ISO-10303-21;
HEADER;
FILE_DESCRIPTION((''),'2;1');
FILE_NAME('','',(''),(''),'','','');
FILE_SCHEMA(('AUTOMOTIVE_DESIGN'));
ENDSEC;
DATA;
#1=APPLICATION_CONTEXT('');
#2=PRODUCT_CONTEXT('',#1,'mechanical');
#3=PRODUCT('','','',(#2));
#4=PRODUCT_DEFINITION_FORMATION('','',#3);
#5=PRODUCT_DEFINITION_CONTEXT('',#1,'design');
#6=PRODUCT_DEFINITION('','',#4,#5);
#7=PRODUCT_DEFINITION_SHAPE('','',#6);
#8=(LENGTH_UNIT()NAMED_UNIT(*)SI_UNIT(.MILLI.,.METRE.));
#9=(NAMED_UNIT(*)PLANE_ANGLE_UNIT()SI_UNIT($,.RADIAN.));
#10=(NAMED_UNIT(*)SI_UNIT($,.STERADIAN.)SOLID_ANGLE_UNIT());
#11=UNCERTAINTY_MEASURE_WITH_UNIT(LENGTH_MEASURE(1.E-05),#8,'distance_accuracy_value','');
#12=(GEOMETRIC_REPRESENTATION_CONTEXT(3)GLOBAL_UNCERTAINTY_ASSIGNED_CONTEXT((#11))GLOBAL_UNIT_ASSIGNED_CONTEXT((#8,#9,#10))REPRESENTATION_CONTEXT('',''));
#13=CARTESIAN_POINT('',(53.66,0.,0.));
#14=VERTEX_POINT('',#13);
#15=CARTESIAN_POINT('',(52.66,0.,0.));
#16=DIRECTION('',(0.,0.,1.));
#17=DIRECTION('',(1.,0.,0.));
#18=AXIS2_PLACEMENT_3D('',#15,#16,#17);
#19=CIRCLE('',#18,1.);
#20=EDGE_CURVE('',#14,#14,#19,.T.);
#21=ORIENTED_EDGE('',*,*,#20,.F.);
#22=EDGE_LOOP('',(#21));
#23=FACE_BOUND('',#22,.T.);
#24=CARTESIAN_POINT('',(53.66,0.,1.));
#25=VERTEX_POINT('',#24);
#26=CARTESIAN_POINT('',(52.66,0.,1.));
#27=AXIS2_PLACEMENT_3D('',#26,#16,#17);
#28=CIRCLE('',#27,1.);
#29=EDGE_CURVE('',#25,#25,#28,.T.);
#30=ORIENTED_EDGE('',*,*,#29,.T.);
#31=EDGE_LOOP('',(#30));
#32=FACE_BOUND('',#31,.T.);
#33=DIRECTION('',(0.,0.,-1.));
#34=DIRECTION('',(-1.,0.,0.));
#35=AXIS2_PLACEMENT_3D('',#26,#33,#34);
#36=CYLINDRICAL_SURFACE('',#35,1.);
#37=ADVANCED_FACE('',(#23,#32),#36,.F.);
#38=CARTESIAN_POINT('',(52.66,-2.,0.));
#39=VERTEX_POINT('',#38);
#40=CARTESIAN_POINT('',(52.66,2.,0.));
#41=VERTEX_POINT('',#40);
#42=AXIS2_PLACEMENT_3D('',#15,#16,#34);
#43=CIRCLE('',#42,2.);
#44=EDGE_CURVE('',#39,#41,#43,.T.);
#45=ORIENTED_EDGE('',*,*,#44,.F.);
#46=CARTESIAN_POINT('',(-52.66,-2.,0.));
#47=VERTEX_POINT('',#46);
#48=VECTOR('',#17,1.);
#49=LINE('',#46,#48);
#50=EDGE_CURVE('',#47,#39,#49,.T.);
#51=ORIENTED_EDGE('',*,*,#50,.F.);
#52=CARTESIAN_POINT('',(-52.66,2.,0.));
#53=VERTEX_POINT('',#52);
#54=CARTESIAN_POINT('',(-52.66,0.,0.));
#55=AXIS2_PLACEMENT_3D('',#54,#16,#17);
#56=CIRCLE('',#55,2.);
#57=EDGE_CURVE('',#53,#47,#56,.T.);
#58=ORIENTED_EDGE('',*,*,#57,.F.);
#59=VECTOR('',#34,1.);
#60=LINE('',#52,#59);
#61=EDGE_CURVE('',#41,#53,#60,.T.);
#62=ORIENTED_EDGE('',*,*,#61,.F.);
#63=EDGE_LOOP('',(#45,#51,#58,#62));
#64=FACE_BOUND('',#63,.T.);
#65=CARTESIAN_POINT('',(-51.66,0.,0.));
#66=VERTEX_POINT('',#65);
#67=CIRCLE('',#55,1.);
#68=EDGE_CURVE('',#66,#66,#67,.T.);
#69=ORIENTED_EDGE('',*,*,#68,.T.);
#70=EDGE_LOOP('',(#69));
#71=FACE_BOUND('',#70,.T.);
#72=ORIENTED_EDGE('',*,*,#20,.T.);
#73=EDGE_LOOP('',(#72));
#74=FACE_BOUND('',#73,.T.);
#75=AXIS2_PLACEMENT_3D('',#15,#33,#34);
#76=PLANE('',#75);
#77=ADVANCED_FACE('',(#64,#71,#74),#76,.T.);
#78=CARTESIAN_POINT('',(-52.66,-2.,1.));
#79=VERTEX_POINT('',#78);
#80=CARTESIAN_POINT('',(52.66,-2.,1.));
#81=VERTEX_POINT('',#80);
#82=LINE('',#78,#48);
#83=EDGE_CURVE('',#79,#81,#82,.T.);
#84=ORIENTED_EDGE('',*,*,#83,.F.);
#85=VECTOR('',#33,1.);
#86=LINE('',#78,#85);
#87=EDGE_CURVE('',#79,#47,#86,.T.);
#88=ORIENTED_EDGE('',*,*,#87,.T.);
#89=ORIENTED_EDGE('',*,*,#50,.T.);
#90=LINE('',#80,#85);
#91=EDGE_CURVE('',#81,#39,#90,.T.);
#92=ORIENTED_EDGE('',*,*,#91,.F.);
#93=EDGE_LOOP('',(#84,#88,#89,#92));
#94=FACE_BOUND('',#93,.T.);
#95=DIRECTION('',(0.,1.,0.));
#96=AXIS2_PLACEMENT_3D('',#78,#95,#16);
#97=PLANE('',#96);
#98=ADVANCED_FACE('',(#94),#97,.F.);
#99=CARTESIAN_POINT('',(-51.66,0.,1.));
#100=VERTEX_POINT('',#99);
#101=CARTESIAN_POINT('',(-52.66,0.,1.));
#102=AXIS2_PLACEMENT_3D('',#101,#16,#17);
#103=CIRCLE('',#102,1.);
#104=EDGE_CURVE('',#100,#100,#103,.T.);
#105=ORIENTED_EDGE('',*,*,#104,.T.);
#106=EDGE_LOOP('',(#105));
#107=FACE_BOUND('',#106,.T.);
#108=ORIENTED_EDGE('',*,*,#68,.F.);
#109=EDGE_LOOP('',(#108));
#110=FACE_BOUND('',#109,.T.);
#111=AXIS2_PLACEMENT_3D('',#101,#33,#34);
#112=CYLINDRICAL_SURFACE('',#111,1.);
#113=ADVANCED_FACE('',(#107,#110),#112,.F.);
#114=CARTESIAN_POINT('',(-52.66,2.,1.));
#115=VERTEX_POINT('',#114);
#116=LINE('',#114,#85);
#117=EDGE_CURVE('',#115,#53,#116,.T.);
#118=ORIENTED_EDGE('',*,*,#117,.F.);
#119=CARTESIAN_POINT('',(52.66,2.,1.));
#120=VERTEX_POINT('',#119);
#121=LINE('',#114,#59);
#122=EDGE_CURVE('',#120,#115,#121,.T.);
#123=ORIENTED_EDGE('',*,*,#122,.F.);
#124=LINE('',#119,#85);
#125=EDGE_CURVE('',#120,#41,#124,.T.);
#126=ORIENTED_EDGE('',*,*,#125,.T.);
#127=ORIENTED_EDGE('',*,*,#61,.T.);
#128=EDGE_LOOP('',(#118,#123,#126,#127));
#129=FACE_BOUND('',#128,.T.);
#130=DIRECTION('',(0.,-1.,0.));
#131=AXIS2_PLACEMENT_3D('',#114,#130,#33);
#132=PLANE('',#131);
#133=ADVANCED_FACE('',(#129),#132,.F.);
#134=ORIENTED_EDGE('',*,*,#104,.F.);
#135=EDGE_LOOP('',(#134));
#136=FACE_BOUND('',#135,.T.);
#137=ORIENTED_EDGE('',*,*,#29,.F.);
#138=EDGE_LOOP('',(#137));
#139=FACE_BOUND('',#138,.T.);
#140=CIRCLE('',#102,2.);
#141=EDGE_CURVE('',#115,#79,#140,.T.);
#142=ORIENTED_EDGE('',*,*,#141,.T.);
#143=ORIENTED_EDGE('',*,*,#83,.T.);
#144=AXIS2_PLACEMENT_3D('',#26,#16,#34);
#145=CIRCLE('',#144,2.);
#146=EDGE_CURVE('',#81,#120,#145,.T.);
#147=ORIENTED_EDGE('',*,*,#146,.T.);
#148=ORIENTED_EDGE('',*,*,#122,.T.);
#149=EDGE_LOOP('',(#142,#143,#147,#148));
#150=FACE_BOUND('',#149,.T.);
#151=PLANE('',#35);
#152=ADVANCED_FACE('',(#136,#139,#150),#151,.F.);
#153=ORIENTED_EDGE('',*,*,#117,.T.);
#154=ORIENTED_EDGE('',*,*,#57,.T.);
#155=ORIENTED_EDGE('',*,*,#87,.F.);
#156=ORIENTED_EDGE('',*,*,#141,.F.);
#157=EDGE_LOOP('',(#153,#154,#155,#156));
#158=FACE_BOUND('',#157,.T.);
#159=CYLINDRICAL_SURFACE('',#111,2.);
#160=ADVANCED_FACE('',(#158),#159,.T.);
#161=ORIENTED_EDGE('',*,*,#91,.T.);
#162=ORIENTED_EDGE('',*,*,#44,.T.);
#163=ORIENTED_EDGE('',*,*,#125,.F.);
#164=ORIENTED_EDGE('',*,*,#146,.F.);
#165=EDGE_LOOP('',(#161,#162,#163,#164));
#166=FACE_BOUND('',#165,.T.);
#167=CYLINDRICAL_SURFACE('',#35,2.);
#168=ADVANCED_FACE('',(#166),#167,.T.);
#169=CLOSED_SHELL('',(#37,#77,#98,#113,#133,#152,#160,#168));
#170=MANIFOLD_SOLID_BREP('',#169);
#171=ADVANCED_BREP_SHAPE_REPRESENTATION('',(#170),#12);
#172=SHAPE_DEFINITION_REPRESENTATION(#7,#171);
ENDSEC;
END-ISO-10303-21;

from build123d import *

# Parameters (mm, degrees)
ESBO_O1_R                = 1
RESSALTO_EXTRUS_O1_DEPTH = 1


with BuildPart() as part:
    # Esboço1 → Ressalto-extrusão1 (new body)
    with BuildSketch(Plane.XY):
        with BuildLine():
            Line((-52.66, 2), (52.66, 2))
            ThreePointArc((52.66, 2), (54.66, 0), (52.66, -2))
            Line((52.66, -2), (-52.66, -2))
            ThreePointArc((-52.66, -2), (-54.66, 0), (-52.66, 2))
        make_face()
        with Locations((-52.66, 0)):
            Circle(ESBO_O1_R, mode=Mode.SUBTRACT)
        with Locations((52.66, 0)):
            Circle(ESBO_O1_R, mode=Mode.SUBTRACT)
    extrude(amount=RESSALTO_EXTRUS_O1_DEPTH)


solid = part.part
